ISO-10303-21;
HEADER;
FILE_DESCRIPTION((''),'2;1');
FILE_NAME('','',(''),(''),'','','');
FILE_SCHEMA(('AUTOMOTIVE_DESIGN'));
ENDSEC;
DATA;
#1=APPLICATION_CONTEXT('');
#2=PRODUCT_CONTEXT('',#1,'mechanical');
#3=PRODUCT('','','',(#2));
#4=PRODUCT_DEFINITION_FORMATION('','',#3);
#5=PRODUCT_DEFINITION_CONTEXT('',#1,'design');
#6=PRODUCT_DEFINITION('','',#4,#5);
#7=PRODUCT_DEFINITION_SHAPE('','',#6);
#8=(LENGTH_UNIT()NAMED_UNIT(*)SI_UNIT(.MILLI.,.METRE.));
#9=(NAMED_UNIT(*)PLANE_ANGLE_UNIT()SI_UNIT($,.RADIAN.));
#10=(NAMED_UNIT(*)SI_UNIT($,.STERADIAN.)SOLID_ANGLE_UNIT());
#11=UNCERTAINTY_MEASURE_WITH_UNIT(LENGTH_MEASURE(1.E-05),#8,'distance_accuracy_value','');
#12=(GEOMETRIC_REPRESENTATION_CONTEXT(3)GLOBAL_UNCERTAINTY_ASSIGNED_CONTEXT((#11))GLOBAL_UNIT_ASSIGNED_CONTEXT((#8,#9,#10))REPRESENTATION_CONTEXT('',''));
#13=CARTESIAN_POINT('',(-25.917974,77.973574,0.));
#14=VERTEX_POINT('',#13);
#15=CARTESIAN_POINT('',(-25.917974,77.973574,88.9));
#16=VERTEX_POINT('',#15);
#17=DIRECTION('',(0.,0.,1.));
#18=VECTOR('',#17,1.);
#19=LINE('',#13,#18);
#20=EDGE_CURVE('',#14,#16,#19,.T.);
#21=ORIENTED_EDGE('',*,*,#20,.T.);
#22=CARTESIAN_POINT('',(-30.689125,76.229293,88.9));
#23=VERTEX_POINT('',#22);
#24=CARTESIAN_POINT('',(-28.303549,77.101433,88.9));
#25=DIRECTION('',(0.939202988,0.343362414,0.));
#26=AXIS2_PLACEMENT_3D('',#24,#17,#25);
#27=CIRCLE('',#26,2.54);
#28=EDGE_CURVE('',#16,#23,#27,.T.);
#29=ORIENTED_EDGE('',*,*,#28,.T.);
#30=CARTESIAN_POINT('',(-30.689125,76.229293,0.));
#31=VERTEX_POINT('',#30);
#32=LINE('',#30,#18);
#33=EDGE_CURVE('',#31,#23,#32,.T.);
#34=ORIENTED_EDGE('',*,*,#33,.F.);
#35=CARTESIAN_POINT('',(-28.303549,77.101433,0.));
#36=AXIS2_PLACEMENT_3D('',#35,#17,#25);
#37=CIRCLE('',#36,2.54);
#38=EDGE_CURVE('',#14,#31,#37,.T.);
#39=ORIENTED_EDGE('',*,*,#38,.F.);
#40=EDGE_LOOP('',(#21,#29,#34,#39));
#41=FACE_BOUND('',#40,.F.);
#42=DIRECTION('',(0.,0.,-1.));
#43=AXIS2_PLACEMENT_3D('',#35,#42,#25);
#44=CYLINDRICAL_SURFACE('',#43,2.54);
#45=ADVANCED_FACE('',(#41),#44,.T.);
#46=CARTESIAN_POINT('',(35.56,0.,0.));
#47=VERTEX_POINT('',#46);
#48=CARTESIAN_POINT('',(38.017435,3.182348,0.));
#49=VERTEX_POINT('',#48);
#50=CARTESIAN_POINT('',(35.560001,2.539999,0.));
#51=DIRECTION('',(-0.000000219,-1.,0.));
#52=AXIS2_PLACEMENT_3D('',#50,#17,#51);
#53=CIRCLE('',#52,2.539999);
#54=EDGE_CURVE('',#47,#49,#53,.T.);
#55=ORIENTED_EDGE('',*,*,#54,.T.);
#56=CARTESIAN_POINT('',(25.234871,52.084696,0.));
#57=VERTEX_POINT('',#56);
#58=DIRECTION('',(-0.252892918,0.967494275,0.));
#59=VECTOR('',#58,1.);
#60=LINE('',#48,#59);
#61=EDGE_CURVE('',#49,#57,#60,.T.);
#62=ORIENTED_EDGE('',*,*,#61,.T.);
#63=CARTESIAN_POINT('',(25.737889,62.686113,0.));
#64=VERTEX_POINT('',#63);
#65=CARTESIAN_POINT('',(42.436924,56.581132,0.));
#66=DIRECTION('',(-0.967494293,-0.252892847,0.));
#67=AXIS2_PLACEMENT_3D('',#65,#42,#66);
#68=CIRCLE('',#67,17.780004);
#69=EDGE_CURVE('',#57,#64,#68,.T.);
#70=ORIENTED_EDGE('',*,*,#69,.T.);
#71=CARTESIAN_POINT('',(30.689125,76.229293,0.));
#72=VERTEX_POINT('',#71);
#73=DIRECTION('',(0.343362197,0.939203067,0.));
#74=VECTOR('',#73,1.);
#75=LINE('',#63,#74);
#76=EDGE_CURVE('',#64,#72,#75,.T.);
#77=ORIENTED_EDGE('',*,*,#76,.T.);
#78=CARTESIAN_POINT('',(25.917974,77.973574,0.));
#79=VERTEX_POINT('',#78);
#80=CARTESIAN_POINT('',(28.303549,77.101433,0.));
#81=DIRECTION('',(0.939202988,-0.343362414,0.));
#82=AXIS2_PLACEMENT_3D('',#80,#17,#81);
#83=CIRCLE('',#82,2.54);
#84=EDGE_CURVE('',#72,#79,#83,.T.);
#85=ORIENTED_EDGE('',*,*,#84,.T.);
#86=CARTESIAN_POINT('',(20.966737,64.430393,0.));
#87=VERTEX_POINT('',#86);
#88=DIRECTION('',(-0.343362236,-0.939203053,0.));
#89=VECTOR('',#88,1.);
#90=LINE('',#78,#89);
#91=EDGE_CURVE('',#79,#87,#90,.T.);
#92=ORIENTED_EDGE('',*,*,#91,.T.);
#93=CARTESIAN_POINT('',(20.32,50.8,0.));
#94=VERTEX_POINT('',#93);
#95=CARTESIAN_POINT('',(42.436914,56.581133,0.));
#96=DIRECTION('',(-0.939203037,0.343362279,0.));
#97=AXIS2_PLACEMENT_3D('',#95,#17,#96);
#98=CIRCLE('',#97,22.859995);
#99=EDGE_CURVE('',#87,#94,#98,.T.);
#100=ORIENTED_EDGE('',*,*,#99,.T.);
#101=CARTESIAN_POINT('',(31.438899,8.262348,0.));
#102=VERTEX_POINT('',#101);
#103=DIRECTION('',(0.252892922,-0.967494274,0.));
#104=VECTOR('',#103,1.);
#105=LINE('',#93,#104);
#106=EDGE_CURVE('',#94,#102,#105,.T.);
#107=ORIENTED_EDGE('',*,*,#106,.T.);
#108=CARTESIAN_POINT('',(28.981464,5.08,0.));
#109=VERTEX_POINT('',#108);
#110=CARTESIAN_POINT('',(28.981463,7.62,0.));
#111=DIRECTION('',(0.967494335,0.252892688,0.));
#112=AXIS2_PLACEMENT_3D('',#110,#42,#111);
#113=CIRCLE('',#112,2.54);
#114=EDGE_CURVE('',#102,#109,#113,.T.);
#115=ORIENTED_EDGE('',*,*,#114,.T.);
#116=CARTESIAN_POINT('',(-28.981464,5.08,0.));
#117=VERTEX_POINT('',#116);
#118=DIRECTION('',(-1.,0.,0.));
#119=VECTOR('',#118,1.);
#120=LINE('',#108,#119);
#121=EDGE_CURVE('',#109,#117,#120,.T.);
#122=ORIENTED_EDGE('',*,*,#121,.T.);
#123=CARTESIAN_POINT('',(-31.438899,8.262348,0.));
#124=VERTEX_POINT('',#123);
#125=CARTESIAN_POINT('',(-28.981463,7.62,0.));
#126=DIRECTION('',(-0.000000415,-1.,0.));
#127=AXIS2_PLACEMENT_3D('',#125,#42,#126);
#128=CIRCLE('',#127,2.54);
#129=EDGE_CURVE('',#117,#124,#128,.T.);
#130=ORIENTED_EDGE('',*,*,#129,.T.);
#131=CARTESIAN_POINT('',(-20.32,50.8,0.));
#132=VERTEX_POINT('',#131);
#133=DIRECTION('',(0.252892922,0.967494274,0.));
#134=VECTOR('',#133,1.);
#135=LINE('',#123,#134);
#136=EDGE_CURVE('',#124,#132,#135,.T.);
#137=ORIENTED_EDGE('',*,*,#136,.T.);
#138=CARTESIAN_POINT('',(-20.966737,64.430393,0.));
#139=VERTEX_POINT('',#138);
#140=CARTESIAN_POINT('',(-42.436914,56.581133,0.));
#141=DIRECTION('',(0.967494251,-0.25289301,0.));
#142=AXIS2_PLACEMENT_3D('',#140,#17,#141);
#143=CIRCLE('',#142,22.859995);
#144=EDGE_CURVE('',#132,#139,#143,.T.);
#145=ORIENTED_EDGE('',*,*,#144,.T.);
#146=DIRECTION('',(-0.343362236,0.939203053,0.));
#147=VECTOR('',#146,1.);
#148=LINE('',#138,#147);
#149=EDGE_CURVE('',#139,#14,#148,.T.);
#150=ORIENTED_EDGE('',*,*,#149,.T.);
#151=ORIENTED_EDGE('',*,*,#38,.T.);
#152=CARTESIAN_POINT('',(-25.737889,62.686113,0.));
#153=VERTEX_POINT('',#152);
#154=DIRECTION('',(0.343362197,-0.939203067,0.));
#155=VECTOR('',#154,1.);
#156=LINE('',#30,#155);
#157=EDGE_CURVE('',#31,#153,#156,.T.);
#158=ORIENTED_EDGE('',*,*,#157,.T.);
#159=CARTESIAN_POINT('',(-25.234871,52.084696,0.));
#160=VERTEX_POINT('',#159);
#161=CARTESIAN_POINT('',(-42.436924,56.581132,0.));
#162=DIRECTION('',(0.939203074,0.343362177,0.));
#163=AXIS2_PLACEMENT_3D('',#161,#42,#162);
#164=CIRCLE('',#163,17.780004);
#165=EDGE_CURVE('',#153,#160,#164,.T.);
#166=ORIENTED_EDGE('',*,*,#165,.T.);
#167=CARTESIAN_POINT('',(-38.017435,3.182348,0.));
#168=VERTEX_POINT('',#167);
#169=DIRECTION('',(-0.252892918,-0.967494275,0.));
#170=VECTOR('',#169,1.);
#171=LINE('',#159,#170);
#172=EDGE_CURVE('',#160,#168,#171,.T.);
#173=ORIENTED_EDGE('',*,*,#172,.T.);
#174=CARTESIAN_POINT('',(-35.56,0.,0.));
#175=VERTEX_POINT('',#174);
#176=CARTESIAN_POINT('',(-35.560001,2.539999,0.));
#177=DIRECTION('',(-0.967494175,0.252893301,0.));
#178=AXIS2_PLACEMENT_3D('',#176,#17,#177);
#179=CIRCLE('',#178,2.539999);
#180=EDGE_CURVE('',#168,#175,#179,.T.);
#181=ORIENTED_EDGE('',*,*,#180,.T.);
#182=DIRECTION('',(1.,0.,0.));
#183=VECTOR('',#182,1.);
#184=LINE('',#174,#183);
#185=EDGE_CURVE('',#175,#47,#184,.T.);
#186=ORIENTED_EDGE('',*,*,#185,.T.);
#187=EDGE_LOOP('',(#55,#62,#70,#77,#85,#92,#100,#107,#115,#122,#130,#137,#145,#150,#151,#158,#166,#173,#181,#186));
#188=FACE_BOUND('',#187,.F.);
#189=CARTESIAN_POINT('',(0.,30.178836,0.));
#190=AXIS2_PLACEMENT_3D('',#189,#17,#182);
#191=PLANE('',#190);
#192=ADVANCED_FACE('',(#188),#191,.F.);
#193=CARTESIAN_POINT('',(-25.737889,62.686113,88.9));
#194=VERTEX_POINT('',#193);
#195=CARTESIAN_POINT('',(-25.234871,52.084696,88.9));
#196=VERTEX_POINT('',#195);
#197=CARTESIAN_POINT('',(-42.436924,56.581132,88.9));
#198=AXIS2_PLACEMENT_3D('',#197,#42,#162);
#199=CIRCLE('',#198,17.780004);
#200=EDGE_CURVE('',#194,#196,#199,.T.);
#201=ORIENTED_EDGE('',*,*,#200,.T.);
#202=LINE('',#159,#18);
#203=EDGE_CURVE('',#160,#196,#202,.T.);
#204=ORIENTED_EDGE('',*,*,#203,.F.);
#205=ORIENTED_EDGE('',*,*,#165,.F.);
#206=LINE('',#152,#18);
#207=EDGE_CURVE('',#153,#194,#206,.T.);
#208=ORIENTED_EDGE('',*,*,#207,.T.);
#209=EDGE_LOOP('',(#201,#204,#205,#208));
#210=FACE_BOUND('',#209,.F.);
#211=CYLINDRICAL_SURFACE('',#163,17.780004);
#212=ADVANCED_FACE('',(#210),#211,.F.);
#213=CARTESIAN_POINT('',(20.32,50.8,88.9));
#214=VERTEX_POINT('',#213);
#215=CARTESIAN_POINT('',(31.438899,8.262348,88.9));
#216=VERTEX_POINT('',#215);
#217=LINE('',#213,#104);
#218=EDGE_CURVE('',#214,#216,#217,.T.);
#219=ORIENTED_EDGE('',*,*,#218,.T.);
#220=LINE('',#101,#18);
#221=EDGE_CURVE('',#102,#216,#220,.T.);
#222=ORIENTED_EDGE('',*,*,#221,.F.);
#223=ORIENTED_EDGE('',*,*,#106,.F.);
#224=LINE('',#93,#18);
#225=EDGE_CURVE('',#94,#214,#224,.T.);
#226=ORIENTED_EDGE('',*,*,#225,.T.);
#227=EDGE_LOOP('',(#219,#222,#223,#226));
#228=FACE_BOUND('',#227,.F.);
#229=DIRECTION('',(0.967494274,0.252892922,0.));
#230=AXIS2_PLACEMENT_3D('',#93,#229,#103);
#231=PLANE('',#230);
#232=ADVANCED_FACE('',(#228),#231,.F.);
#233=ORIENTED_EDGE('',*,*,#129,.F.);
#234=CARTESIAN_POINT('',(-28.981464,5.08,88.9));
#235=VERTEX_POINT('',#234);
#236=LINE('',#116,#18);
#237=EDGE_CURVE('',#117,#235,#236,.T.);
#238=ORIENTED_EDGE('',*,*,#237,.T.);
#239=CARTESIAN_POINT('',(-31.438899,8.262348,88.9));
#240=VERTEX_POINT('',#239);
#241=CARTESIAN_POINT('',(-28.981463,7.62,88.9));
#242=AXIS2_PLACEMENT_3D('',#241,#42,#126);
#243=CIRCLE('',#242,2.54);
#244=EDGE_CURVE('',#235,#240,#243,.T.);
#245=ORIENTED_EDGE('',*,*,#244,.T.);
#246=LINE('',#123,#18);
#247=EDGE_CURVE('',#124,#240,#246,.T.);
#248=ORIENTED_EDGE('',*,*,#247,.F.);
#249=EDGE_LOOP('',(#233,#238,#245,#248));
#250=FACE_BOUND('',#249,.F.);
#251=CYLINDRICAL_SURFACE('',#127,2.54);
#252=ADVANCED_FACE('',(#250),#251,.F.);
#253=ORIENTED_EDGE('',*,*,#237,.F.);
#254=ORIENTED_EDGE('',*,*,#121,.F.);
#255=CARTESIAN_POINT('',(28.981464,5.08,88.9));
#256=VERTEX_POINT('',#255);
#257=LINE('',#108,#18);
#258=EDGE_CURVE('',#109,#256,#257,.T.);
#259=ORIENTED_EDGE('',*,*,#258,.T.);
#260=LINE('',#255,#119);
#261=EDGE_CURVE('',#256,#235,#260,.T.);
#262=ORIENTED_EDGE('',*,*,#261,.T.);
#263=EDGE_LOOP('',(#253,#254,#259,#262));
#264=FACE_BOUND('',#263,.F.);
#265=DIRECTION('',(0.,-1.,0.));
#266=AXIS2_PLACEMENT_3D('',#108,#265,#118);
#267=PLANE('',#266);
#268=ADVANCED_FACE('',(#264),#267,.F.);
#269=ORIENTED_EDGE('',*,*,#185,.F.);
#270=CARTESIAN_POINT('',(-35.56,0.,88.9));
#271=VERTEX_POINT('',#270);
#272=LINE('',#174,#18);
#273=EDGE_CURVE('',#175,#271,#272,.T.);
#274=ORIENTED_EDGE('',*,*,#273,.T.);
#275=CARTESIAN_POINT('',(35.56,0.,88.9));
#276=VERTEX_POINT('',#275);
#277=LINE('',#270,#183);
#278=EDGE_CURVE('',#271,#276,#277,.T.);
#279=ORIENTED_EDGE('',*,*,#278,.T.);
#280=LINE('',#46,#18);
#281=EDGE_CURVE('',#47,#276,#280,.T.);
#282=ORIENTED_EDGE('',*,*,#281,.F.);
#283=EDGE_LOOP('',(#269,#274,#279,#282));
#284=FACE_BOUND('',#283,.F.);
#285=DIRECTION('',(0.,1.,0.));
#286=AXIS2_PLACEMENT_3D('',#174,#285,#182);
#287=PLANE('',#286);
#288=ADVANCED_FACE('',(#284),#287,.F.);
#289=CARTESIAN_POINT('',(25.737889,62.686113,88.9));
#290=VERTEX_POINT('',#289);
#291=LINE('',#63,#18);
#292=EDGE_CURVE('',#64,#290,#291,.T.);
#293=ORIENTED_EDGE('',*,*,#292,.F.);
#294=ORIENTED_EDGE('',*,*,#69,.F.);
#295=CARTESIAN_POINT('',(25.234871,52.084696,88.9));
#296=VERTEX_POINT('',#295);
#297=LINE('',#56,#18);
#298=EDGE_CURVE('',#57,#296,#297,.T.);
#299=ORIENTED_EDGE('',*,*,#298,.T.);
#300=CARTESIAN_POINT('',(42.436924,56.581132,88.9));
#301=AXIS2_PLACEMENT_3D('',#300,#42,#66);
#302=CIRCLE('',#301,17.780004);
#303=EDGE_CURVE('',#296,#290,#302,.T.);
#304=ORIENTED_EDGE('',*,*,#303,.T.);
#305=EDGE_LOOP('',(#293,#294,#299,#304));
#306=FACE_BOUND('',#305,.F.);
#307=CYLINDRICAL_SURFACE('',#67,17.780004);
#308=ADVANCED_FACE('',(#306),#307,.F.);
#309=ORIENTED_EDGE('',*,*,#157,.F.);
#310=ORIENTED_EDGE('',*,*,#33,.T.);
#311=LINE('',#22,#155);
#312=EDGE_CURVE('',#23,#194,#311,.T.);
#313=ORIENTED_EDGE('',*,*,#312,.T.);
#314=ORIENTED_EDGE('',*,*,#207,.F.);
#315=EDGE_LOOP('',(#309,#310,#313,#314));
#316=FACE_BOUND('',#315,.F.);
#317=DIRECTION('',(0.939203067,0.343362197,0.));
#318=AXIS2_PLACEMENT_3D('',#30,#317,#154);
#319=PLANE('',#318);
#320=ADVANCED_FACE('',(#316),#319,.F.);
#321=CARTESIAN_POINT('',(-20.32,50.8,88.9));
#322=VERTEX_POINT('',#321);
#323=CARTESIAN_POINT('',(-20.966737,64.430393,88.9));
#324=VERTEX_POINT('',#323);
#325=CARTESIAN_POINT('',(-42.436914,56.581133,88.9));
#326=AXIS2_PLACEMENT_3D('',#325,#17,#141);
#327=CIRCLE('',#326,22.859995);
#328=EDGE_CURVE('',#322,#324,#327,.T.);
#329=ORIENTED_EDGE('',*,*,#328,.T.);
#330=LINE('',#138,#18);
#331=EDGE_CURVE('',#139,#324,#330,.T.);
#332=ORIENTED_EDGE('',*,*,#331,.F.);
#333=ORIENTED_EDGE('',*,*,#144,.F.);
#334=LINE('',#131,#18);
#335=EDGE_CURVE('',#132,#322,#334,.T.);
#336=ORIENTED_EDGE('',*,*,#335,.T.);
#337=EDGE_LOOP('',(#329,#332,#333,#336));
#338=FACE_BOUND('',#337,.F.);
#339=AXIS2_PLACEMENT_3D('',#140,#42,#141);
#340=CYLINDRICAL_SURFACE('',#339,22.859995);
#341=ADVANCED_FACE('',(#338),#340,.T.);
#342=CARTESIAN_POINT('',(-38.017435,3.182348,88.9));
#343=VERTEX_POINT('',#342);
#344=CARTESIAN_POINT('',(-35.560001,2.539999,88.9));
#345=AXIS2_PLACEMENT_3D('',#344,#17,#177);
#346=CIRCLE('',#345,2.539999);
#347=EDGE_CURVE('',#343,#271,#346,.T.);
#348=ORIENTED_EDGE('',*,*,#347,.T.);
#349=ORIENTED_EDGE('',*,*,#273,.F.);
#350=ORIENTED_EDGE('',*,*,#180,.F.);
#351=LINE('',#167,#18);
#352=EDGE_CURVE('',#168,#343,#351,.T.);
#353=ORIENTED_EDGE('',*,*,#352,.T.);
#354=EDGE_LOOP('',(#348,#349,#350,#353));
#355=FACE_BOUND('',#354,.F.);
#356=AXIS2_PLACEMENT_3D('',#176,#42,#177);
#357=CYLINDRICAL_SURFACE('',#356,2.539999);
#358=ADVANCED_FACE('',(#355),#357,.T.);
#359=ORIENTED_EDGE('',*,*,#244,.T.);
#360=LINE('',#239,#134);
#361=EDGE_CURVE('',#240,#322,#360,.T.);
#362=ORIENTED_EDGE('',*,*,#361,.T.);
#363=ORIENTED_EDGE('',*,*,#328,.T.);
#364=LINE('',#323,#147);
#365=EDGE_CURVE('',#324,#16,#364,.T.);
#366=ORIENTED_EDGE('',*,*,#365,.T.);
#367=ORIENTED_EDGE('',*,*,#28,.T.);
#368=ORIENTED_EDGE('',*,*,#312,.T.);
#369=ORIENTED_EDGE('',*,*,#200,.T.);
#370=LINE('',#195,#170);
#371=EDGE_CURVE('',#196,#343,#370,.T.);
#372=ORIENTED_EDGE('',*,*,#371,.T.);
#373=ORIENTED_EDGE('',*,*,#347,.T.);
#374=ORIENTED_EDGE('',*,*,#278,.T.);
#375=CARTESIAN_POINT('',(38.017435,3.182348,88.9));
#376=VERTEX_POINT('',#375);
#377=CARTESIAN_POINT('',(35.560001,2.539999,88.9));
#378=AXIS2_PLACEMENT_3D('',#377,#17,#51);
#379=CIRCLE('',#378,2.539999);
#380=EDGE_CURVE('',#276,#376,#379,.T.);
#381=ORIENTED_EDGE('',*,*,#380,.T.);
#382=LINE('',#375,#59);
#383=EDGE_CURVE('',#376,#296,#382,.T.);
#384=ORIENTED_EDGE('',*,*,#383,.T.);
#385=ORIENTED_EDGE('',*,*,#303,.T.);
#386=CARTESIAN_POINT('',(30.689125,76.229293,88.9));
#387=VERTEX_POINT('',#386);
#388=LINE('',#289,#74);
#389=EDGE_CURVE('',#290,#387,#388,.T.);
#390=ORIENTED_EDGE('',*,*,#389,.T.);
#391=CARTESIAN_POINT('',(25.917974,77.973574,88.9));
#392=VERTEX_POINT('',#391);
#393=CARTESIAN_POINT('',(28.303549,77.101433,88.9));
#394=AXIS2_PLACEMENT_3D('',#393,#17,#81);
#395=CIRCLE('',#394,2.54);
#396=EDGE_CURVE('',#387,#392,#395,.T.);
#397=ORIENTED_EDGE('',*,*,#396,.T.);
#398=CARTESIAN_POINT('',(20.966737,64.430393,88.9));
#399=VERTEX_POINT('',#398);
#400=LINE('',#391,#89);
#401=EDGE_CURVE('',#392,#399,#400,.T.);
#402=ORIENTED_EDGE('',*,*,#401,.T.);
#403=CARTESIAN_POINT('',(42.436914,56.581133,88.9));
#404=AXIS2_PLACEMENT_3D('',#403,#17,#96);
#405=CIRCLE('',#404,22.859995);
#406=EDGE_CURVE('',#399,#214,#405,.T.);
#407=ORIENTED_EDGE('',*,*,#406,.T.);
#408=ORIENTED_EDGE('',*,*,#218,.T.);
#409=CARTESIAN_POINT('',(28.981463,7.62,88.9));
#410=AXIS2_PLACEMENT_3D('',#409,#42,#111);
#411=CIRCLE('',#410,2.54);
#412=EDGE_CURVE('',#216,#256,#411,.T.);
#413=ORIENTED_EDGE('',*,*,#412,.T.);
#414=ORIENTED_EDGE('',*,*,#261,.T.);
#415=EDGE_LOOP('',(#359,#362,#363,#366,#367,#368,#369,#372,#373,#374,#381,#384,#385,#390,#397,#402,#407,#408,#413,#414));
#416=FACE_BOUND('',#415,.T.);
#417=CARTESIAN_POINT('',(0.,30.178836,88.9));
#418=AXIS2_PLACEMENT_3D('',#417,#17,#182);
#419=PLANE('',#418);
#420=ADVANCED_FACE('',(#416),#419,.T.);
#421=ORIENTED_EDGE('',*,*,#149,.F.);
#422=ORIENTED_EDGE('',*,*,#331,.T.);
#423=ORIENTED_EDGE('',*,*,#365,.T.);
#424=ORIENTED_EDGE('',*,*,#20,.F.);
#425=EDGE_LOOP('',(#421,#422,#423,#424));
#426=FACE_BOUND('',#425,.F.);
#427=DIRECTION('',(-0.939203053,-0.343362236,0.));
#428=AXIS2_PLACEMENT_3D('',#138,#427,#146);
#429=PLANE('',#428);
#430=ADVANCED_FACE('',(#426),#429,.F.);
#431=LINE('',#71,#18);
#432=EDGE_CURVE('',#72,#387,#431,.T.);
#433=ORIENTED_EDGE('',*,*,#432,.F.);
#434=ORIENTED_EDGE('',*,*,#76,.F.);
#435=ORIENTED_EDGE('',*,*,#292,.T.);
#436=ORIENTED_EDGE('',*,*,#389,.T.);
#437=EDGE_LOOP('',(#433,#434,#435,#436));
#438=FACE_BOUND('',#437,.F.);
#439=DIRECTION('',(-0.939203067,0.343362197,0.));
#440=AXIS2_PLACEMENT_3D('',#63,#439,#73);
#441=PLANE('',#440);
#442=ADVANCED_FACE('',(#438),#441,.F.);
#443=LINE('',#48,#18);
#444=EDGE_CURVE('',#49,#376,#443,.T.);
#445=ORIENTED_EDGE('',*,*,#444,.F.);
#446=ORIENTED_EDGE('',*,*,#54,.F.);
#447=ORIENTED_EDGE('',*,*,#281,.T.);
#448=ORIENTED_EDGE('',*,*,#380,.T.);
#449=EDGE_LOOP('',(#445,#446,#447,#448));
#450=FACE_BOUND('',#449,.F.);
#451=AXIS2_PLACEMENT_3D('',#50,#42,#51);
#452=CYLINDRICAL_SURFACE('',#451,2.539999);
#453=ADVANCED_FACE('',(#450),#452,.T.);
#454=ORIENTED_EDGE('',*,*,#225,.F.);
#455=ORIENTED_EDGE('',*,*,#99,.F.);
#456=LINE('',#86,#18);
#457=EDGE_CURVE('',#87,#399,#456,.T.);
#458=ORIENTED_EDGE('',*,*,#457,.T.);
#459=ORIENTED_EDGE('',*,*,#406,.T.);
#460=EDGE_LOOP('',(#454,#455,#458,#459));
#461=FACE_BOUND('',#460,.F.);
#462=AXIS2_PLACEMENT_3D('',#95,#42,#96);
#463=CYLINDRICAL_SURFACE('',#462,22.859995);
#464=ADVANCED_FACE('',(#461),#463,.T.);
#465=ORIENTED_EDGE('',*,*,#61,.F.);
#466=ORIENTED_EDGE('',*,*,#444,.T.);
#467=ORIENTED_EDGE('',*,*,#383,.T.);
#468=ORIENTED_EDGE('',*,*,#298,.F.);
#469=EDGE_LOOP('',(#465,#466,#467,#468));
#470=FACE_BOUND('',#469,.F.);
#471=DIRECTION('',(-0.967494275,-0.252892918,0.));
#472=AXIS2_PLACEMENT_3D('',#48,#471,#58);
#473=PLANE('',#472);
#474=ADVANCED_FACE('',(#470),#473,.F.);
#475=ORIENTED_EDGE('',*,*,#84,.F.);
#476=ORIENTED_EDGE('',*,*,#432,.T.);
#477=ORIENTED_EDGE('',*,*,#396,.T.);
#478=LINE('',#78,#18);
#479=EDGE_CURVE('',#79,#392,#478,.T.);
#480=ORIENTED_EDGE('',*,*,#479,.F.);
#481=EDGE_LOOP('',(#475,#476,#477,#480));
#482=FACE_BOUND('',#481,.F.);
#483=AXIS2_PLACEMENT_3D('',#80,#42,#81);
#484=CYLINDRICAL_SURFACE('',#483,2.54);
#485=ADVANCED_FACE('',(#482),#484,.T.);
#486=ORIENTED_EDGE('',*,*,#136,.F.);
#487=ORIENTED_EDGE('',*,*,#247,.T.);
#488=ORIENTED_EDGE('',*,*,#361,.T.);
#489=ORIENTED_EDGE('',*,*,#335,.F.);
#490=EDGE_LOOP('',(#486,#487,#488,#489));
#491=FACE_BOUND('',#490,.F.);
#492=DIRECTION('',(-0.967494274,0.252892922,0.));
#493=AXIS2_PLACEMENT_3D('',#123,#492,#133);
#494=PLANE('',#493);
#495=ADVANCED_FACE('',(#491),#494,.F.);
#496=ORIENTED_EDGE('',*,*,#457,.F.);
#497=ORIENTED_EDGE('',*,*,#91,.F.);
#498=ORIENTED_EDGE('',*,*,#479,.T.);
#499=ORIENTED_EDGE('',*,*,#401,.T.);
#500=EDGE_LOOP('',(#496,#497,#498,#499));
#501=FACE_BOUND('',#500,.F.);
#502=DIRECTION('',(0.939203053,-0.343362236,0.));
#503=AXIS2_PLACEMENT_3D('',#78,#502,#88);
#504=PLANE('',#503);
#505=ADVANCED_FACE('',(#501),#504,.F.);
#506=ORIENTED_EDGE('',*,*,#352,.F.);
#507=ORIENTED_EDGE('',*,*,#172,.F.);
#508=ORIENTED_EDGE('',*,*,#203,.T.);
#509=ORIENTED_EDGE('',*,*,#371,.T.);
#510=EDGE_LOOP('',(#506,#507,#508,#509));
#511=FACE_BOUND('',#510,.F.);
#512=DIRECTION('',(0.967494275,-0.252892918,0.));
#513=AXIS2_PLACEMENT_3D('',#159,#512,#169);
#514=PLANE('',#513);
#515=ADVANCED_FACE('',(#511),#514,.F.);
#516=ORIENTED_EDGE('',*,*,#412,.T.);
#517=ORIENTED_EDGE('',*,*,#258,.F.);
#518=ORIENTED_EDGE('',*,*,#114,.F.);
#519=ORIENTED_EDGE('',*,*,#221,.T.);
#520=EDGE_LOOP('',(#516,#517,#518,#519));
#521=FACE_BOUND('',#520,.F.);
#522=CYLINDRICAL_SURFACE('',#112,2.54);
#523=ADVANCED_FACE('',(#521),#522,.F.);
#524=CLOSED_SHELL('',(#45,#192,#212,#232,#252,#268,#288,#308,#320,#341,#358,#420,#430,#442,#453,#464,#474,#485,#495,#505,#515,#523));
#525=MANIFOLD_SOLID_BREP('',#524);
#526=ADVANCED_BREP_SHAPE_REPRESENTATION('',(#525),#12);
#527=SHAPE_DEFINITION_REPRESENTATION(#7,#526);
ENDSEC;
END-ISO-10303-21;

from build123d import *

# Parameters (mm, degrees)
F1_DEPTH = 88.9


with BuildPart() as f1:
    # F0 (on Top) → F1 (new body)
    with BuildSketch(Plane.XY):
        with BuildLine():
            Line((-35.56, 0), (0, 0))
            Line((0, 0), (35.56, 0))
            ThreePointArc((35.56, 0), (37.570369, 0.987577), (38.017435, 3.182348))
            Line((38.017435, 3.182348), (25.234871, 52.084696))
            ThreePointArc((25.234871, 52.084696), (24.6769, 57.423813), (25.737889, 62.686113))
            Line((25.737889, 62.686113), (30.689125, 76.229293))
            ThreePointArc((30.689125, 76.229293), (29.17569, 79.487009), (25.917974, 77.973574))
            Line((25.917974, 77.973574), (20.966737, 64.430393))
            ThreePointArc((20.966737, 64.430393), (19.602608, 57.664578), (20.32, 50.8))
            Line((20.32, 50.8), (31.438899, 8.262348))
            ThreePointArc((31.438899, 8.262348), (30.991832, 6.067577), (28.981464, 5.08))
            Line((28.981464, 5.08), (0, 5.08))
            Line((0, 5.08), (-28.981464, 5.08))
            ThreePointArc((-28.981464, 5.08), (-30.991832, 6.067577), (-31.438899, 8.262348))
            Line((-31.438899, 8.262348), (-20.32, 50.8))
            ThreePointArc((-20.32, 50.8), (-19.602608, 57.664578), (-20.966737, 64.430393))
            Line((-20.966737, 64.430393), (-25.917974, 77.973574))
            ThreePointArc((-25.917974, 77.973574), (-29.17569, 79.487009), (-30.689125, 76.229293))
            Line((-30.689125, 76.229293), (-25.737889, 62.686113))
            ThreePointArc((-25.737889, 62.686113), (-24.6769, 57.423813), (-25.234871, 52.084696))
            Line((-25.234871, 52.084696), (-38.017435, 3.182348))
            ThreePointArc((-38.017435, 3.182348), (-37.570369, 0.987577), (-35.56, 0))
        make_face()
    extrude(amount=F1_DEPTH)


solid = f1.part
